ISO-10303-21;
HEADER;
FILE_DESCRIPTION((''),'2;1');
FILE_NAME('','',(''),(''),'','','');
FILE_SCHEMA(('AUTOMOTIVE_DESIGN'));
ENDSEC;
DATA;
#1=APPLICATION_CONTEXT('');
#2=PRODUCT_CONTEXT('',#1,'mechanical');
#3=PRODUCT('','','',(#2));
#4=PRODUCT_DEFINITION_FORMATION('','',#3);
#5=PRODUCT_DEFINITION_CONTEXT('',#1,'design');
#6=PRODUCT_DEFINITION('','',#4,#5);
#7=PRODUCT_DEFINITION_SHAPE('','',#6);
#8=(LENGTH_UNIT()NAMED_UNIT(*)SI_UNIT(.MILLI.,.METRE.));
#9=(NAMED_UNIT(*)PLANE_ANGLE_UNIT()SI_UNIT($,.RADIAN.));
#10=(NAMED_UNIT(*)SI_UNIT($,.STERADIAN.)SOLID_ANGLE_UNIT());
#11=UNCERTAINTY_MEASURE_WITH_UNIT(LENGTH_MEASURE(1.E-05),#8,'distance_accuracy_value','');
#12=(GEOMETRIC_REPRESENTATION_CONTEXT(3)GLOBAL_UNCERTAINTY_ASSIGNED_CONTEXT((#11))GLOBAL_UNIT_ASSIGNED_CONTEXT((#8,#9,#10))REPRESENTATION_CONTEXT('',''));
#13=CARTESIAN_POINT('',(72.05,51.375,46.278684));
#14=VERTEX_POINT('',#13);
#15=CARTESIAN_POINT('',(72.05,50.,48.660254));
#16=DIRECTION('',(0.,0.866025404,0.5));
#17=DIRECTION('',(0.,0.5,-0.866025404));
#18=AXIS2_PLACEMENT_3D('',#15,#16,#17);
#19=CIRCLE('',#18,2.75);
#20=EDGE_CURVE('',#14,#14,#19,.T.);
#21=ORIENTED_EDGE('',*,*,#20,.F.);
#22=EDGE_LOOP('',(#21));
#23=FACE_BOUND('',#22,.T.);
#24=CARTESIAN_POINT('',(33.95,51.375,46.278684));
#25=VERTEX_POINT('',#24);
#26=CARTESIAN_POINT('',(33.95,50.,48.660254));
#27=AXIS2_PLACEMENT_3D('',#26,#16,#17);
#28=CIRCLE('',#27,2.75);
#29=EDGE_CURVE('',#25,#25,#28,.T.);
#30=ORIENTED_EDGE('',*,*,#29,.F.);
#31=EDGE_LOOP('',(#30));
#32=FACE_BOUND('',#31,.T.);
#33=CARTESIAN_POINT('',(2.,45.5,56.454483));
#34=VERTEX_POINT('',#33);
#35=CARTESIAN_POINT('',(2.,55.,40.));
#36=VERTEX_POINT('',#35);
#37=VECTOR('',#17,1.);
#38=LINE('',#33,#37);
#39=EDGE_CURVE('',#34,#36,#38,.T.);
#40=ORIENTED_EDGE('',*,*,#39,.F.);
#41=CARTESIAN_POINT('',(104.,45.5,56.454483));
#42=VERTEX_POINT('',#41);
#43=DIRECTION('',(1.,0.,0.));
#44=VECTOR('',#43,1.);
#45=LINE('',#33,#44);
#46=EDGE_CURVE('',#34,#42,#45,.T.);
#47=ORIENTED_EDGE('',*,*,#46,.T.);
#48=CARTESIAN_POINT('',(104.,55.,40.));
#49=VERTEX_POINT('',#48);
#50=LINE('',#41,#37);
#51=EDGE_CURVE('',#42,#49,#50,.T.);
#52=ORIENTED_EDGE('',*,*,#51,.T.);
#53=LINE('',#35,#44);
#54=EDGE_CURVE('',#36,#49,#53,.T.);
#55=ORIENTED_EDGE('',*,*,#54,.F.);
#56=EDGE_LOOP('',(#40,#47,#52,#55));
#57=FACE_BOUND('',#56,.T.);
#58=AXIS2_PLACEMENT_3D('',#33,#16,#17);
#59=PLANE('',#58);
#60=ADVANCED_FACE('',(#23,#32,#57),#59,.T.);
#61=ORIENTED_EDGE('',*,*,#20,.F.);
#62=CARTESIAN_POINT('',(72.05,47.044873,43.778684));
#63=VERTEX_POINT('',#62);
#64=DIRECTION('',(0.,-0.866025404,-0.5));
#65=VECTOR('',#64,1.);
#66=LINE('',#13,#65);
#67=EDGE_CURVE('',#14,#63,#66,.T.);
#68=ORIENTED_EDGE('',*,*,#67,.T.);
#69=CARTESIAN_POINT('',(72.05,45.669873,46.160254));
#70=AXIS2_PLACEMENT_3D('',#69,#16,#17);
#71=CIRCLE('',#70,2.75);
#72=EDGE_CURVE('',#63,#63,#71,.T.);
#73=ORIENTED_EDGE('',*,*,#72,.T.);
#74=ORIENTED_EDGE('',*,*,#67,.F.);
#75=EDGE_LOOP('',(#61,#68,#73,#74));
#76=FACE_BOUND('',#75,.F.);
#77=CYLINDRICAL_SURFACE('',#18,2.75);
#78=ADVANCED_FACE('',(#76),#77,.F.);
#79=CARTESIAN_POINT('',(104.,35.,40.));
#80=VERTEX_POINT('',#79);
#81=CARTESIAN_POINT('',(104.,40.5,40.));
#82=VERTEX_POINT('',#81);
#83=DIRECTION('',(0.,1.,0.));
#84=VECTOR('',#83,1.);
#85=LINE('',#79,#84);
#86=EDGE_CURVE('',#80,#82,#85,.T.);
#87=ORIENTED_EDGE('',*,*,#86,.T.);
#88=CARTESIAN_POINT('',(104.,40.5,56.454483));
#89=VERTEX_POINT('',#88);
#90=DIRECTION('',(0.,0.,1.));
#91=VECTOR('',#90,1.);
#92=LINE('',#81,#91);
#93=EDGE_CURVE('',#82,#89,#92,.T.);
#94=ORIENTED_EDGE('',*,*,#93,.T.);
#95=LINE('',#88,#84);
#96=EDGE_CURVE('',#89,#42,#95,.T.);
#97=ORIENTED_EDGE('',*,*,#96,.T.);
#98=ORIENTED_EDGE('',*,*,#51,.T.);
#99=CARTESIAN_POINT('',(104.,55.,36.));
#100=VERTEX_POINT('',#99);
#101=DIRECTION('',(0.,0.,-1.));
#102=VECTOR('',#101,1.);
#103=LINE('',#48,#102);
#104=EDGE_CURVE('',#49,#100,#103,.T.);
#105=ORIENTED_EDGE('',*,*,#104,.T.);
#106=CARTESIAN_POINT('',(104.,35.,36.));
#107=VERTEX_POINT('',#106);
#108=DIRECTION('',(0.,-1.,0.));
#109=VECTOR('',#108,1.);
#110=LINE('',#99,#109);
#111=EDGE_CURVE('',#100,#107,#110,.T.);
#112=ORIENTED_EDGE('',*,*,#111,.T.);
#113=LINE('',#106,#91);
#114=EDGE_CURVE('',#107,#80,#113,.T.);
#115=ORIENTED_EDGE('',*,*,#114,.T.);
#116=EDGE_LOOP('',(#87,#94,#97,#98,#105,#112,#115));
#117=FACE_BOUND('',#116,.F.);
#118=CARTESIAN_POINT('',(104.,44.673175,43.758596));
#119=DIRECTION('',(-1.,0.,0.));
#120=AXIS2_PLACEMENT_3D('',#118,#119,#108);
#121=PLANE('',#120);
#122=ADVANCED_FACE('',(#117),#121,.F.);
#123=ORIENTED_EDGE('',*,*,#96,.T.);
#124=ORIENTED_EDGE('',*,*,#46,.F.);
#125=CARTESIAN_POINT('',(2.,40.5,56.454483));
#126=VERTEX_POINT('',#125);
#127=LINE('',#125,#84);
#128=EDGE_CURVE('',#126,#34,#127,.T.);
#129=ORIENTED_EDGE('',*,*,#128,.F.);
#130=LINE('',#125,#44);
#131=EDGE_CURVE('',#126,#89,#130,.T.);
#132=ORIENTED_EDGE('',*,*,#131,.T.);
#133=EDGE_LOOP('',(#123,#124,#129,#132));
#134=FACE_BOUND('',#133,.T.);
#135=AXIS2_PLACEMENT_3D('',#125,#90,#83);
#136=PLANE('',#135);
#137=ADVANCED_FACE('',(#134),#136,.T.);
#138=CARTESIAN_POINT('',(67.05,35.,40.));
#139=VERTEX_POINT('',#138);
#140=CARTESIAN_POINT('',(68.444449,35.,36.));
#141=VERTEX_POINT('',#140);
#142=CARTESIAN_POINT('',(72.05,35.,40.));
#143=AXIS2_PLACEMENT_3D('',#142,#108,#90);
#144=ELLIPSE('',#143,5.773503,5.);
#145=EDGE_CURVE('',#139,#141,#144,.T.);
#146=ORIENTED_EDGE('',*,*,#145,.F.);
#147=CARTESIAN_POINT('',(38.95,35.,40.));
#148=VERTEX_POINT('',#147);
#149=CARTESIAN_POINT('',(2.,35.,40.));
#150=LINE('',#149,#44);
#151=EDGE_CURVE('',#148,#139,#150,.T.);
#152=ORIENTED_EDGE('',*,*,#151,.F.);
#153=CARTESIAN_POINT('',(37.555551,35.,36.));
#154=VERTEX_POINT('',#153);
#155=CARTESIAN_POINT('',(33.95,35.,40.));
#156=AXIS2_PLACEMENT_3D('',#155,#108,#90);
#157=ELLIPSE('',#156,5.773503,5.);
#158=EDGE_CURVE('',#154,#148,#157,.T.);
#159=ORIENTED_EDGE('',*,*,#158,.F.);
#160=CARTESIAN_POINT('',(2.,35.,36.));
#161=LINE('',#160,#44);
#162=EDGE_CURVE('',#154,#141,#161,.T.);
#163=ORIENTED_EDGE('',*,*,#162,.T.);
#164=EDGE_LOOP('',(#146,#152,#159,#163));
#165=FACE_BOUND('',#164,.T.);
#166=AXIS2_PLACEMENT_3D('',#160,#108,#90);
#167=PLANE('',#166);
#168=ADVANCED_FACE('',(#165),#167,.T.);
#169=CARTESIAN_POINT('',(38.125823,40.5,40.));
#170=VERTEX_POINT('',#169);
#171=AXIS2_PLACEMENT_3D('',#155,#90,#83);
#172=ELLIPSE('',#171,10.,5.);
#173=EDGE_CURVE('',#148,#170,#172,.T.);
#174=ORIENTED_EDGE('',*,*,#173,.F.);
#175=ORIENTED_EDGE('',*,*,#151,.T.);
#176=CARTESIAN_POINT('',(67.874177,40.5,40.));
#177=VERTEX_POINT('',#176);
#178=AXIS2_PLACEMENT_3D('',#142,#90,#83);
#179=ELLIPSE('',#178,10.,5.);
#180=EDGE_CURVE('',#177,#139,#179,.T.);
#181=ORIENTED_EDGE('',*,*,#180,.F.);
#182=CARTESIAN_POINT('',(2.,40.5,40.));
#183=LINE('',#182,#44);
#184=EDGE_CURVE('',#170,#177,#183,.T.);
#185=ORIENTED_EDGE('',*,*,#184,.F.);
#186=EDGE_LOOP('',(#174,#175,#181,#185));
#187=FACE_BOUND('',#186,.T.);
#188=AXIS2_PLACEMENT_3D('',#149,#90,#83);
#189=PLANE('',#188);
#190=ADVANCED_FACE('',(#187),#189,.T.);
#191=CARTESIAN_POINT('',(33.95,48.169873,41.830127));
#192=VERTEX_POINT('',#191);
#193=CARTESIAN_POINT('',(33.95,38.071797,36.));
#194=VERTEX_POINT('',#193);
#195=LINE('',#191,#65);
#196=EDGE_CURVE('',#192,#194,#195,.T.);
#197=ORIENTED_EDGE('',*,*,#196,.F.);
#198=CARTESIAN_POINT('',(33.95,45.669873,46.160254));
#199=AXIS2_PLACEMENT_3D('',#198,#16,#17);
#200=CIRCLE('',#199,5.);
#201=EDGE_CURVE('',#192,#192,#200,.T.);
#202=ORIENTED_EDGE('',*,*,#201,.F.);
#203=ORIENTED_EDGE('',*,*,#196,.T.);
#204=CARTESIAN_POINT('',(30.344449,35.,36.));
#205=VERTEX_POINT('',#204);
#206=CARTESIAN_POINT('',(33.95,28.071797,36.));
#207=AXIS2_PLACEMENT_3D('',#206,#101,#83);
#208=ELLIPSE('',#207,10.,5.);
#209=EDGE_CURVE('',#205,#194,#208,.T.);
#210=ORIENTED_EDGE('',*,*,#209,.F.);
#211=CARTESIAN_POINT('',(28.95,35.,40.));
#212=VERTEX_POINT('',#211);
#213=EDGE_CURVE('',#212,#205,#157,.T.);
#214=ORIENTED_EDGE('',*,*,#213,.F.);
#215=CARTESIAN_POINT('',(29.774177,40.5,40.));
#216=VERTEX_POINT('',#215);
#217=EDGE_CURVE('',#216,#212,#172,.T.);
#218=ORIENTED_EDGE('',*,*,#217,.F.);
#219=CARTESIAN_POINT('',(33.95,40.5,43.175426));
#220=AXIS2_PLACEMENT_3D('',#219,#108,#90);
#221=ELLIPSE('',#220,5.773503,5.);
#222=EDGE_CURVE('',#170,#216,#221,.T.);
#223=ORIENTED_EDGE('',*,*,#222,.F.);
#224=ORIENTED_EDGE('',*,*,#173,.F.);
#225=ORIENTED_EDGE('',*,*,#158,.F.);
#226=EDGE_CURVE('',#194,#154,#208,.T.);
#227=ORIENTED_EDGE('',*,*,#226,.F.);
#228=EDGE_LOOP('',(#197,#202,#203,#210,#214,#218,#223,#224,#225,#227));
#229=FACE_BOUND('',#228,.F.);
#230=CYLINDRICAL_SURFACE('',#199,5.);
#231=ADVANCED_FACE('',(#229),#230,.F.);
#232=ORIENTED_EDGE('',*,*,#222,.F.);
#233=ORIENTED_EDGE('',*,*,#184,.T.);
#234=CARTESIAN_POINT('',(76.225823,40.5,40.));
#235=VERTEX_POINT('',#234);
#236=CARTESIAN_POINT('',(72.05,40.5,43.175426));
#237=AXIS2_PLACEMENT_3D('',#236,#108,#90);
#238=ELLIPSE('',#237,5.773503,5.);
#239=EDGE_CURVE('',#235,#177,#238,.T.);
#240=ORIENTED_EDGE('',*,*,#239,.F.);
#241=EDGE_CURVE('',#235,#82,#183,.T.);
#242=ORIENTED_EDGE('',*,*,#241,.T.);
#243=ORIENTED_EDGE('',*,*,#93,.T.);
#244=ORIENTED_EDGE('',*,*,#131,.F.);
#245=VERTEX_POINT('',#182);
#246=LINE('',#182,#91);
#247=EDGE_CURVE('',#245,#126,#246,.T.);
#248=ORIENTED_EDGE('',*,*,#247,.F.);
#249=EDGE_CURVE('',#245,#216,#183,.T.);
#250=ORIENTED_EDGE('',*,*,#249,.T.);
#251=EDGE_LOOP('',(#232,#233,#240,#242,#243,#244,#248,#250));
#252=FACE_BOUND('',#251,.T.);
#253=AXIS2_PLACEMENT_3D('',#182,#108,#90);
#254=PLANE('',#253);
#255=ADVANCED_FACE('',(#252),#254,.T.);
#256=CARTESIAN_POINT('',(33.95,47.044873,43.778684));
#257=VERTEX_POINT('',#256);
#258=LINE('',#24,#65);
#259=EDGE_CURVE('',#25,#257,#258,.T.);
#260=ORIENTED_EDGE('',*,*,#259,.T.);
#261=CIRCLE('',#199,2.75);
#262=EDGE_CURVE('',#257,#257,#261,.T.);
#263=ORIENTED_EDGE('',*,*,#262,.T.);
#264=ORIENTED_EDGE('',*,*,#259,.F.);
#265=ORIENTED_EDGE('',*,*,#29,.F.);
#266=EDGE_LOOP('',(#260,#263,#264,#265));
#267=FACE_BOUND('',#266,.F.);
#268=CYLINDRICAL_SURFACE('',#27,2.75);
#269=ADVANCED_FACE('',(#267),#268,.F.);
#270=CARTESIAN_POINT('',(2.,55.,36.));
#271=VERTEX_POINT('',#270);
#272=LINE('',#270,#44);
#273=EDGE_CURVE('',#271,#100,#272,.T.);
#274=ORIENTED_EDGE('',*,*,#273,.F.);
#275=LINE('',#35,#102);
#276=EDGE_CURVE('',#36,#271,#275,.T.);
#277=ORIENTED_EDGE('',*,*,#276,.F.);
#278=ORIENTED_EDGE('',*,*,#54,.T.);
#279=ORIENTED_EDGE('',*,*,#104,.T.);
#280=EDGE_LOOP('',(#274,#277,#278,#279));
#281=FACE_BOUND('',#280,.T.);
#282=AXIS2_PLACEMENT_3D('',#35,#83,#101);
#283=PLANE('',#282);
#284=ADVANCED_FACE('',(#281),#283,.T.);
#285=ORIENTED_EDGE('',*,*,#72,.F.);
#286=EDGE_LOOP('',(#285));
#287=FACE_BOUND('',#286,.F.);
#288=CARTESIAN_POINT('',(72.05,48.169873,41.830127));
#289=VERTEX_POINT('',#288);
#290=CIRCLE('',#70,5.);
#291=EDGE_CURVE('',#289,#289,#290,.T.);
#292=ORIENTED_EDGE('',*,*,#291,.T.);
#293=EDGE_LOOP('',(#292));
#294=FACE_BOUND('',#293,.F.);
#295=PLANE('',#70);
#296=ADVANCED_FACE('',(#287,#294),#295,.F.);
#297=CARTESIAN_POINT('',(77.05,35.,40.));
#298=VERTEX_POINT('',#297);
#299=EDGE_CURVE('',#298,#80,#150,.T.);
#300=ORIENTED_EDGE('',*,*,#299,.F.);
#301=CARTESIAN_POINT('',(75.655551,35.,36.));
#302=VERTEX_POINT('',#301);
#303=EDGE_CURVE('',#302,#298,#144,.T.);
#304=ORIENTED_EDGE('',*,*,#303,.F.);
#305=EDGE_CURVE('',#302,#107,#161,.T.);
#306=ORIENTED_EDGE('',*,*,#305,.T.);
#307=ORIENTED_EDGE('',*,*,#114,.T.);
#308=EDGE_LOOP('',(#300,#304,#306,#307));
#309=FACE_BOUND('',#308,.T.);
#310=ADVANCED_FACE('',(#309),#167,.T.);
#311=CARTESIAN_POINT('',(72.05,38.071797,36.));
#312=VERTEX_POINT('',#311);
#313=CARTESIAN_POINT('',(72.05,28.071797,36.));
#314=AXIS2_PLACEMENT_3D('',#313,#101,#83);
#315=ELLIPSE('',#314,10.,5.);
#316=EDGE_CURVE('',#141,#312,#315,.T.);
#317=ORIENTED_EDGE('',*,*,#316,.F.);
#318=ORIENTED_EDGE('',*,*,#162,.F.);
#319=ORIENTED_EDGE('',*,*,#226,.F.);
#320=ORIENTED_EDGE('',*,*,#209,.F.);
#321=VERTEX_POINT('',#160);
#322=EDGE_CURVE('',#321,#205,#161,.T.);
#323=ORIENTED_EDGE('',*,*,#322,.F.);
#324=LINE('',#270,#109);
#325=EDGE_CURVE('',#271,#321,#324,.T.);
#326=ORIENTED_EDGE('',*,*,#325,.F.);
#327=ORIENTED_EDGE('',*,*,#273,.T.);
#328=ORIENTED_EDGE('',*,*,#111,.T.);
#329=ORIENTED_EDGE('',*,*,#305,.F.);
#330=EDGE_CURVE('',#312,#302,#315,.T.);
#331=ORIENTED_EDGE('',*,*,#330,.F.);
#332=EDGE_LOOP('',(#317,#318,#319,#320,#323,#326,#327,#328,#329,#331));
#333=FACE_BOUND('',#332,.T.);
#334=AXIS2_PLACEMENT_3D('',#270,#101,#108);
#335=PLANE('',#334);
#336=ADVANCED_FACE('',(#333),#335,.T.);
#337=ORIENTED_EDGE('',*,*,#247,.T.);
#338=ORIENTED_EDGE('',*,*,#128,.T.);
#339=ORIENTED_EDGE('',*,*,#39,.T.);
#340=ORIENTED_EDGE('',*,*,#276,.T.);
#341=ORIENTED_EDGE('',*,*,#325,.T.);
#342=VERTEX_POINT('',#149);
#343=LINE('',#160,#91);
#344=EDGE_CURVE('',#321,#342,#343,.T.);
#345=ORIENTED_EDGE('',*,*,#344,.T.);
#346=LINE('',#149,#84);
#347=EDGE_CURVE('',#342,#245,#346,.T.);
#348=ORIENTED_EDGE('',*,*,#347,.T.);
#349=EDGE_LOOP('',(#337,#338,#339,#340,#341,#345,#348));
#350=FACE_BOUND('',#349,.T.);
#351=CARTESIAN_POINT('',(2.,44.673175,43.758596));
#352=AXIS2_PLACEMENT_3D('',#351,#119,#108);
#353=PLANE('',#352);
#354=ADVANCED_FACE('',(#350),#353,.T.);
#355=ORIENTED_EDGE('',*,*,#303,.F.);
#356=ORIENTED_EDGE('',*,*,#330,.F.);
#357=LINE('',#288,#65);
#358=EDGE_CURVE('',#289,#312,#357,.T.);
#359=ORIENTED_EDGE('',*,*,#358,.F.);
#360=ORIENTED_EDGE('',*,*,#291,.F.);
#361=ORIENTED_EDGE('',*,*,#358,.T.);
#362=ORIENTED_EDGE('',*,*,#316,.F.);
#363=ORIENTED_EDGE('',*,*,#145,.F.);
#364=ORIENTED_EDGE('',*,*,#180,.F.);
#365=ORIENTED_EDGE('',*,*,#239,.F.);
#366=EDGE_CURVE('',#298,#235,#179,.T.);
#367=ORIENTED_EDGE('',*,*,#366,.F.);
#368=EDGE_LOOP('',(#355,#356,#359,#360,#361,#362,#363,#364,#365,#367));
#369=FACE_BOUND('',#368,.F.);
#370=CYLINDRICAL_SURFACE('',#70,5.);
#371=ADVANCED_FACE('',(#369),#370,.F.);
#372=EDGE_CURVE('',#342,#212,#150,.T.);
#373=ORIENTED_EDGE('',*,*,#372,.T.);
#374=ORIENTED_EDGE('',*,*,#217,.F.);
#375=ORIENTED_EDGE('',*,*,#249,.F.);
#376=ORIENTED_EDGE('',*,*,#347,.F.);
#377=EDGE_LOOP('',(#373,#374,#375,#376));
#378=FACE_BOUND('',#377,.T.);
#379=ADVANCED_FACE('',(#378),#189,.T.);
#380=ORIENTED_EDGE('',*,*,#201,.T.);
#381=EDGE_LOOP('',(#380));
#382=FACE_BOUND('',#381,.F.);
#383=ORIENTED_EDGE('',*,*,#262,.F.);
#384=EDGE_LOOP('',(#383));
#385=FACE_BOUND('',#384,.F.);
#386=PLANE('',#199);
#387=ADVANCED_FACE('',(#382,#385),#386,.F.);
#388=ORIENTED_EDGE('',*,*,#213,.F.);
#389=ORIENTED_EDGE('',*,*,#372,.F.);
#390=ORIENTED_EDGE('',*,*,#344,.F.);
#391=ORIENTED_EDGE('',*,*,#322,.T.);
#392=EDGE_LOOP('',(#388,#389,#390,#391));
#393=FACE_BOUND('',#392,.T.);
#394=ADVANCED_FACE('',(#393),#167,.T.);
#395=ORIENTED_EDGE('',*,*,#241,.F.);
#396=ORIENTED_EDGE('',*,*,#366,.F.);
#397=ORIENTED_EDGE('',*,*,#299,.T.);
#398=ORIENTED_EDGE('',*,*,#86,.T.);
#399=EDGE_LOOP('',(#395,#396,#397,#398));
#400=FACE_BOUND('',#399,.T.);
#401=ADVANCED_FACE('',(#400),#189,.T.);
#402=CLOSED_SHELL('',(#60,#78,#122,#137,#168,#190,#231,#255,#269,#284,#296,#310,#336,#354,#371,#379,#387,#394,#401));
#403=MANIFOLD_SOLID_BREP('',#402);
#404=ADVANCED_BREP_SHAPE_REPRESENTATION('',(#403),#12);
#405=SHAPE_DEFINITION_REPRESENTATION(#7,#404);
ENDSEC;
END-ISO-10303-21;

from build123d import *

# Parameters (mm, degrees)
PAD004_DEPTH            = 102
SKETCH006_R             = 2.75
POCKET001_DEPTH         = 19.3215080757
SKETCH007_R             = 5
POCKET002_DEPTH         = 14.3215080757
BODY002_PLACEMENT_ANGLE = 180


with BuildPart() as part:
    # Sketch004 → Pad004 (new body)
    with BuildSketch(Plane.YZ):
        Polygon((-5.5, 4), (-5.5, 20.4544826719), (-10.5, 20.4544826719), (-20, 4), (-20, 0), (0, 0), (0, 4), align=None)
    extrude(amount=-PAD004_DEPTH)

    # Sketch006 (on Face3 of Pad004) → Pocket001 (cut, through all)
    with BuildSketch(Plane(origin=(0, -16.7320508076, 9.6602540378), x_dir=(0, -0.5, -0.8660254038), z_dir=(0, -0.8660254038, 0.5))):
        with Locations((-3.4641016151, -31.95)):
            Circle(SKETCH006_R)
        with Locations((-3.4641016151, -70.05)):
            Circle(SKETCH006_R)
    extrude(amount=-POCKET001_DEPTH, mode=Mode.SUBTRACT)

    # Sketch007 (on Face10 of Pocket001) → Pocket002 (cut, through all)
    with BuildSketch(Plane(origin=(0, -12.4019237886, 7.1602540378), x_dir=(0, -0.5, -0.8660254038), z_dir=(0, -0.8660254038, 0.5))):
        with Locations((-3.4641016151, -31.95)):
            Circle(SKETCH007_R)
        with Locations((-3.4641016151, -70.05)):
            Circle(SKETCH007_R)
    extrude(amount=-POCKET002_DEPTH, mode=Mode.SUBTRACT)


with BuildPart() as part_1:
    # Body002 placement: moved
    add(part.part.moved(Location((2, 35, 36))).rotate(Axis((2, 35, 36), (0, 0, 1)), BODY002_PLACEMENT_ANGLE))


solid = part_1.part
